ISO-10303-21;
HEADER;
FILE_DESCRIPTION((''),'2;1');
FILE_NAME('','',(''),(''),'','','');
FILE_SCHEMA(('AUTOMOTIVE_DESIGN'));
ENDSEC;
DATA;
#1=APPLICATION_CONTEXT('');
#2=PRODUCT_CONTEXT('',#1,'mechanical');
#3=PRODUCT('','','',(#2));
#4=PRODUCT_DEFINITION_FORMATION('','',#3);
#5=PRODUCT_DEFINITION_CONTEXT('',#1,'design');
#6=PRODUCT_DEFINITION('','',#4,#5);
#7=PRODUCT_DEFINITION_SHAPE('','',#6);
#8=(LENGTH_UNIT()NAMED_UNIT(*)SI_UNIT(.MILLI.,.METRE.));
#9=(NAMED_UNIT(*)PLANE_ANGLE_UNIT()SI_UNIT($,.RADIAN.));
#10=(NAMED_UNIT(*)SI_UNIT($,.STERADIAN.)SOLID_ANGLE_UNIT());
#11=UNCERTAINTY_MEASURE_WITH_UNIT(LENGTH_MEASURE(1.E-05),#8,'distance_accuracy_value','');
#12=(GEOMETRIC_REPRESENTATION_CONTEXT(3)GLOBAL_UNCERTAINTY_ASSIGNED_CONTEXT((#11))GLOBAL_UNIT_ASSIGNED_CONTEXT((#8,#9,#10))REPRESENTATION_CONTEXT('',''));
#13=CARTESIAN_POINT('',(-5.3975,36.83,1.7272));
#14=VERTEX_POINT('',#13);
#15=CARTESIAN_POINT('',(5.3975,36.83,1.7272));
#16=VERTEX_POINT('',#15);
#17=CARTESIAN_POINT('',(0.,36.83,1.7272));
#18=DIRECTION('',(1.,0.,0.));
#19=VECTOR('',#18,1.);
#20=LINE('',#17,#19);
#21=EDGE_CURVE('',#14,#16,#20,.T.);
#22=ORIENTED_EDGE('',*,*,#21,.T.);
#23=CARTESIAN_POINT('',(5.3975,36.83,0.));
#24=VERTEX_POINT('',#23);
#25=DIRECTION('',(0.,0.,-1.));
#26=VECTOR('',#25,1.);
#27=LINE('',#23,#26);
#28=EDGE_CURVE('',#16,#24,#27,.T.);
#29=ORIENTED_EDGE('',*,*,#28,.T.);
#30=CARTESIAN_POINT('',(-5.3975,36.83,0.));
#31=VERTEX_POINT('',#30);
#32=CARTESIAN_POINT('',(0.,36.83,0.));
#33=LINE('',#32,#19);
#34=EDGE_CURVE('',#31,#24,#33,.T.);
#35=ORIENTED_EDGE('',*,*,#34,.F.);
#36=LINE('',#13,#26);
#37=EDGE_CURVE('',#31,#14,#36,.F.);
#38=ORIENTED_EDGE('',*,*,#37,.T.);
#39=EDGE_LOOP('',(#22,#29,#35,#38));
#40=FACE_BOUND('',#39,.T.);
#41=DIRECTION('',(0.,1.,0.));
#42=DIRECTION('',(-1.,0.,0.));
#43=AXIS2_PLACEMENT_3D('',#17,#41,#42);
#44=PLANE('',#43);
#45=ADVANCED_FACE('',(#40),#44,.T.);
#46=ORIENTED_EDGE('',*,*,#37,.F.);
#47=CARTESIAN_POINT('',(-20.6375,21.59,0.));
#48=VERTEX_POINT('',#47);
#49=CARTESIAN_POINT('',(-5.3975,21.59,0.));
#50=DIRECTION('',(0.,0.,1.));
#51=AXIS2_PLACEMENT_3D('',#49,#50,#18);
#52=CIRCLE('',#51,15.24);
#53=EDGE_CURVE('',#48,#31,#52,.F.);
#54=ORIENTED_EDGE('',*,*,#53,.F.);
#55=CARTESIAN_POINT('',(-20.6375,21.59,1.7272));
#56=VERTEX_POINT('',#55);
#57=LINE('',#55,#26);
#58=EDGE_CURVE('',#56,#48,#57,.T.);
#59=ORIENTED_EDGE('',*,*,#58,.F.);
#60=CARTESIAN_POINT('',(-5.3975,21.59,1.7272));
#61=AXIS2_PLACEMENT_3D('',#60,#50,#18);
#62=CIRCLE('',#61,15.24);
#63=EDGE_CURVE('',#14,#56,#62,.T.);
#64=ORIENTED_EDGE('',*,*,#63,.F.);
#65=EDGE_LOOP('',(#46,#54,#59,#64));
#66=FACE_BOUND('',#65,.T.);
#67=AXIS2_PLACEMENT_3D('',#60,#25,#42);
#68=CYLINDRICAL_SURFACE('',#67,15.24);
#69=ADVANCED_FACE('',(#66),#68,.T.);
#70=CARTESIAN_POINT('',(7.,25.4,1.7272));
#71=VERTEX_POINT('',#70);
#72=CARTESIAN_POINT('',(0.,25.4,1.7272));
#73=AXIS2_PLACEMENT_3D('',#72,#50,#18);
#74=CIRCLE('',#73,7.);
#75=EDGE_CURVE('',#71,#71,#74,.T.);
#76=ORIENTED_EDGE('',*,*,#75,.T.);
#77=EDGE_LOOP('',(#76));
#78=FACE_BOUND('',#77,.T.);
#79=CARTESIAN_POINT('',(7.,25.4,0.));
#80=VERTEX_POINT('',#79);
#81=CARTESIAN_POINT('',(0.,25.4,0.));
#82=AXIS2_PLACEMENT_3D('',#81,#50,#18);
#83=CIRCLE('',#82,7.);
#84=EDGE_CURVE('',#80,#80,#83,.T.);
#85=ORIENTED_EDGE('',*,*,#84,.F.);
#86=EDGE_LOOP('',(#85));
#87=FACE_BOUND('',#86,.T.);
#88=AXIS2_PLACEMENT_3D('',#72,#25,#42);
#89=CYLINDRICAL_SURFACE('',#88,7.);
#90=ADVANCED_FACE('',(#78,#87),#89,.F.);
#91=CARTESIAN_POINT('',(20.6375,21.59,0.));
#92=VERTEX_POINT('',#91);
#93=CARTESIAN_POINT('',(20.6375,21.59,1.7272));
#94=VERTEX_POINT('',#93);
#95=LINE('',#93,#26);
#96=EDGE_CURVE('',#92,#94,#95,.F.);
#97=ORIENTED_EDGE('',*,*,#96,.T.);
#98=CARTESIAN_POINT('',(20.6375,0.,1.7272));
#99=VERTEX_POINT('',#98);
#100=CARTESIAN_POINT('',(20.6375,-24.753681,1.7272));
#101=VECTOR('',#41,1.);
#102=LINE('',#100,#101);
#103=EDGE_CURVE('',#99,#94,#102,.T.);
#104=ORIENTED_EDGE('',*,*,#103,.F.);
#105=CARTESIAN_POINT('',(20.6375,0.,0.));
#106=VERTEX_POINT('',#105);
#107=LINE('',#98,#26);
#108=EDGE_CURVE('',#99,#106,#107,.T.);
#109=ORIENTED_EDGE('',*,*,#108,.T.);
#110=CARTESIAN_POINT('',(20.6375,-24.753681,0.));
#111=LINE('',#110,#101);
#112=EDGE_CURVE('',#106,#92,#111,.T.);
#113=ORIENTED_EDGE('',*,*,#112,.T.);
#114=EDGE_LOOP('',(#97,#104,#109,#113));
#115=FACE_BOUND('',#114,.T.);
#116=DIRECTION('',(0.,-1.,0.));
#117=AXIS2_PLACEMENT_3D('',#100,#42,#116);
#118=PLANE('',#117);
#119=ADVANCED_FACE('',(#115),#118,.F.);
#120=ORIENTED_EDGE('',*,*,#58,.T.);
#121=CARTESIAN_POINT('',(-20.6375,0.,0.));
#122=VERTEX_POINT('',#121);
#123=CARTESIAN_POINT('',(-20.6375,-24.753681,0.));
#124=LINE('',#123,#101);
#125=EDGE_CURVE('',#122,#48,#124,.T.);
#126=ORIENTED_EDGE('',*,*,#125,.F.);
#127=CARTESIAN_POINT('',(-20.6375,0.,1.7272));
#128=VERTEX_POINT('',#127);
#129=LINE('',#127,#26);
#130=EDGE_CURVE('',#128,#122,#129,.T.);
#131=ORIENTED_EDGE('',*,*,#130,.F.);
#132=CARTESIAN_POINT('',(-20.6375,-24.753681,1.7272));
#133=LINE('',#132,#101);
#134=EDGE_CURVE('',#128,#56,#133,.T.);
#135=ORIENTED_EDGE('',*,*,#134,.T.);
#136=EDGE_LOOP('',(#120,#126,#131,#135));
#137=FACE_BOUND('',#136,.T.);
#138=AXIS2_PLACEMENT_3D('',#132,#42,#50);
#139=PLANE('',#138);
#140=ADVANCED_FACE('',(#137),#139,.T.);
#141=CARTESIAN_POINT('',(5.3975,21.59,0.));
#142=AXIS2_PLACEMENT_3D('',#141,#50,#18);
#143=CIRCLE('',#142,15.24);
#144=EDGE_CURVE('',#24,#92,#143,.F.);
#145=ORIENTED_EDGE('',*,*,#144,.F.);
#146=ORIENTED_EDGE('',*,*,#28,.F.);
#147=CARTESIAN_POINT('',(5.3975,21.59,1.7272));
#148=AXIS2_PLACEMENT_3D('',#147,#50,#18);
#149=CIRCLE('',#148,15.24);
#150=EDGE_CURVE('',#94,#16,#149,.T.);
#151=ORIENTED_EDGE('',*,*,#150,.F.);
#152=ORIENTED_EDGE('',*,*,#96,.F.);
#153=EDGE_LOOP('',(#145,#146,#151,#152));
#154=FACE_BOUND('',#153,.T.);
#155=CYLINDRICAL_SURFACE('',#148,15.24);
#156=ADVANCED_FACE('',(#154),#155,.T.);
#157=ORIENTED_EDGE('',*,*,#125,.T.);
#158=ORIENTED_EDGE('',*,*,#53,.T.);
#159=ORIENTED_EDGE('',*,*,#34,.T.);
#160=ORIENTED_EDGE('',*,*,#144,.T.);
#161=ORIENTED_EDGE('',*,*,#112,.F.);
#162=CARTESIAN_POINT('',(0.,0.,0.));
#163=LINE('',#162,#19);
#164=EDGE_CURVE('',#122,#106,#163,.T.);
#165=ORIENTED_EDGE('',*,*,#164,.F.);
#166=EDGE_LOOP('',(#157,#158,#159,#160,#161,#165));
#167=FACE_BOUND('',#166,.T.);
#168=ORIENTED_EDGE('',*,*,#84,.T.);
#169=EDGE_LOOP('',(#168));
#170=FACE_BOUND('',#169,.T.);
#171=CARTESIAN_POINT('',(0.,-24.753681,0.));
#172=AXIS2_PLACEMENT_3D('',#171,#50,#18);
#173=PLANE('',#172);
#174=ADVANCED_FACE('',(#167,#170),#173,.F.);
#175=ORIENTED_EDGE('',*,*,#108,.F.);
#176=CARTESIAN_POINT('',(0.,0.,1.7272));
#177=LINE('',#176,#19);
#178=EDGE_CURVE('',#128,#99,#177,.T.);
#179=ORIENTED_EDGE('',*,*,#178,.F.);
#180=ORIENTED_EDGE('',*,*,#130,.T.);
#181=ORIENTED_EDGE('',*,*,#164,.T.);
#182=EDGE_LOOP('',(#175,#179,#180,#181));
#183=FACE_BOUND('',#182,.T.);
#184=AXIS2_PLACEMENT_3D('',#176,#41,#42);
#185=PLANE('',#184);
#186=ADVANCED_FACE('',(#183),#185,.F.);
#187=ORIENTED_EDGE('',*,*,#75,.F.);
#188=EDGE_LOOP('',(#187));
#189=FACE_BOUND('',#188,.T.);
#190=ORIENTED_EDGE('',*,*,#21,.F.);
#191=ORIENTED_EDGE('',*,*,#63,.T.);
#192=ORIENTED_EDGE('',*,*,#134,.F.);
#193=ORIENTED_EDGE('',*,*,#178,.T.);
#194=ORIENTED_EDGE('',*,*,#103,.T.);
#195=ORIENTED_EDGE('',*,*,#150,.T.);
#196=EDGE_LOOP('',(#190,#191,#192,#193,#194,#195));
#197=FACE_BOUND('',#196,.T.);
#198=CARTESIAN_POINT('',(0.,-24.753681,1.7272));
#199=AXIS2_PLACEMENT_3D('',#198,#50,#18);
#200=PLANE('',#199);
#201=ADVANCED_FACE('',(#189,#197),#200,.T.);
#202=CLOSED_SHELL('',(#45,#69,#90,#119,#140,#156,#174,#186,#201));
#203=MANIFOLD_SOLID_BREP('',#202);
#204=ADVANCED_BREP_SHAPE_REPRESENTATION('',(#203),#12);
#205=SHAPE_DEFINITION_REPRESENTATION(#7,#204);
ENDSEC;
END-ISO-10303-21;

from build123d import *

# Parameters (mm, degrees)
SKETCH1_W           = 41.275
SKETCH1_H           = 36.83
SKETCH1_R           = 7
BOSS_EXTRUDE1_DEPTH = 1.7272
FILLET7_R           = 15.24


with BuildPart() as part:
    # Sketch1 → Boss-Extrude1 (new body)
    with BuildSketch(Plane.XY):
        with Locations((0, 18.415)):
            Rectangle(SKETCH1_W, SKETCH1_H)
        with Locations((0, 25.4)):
            Circle(SKETCH1_R, mode=Mode.SUBTRACT)
    extrude(amount=BOSS_EXTRUDE1_DEPTH)

    # Fillet7
    fillet7_edges = [part.edges().sort_by_distance(p)[0] for p in [
        (20.6375, 36.83, 0.8636),
        (-20.6375, 36.83, 0.8636),
    ]]
    fillet(fillet7_edges, radius=FILLET7_R)


solid = part.part
